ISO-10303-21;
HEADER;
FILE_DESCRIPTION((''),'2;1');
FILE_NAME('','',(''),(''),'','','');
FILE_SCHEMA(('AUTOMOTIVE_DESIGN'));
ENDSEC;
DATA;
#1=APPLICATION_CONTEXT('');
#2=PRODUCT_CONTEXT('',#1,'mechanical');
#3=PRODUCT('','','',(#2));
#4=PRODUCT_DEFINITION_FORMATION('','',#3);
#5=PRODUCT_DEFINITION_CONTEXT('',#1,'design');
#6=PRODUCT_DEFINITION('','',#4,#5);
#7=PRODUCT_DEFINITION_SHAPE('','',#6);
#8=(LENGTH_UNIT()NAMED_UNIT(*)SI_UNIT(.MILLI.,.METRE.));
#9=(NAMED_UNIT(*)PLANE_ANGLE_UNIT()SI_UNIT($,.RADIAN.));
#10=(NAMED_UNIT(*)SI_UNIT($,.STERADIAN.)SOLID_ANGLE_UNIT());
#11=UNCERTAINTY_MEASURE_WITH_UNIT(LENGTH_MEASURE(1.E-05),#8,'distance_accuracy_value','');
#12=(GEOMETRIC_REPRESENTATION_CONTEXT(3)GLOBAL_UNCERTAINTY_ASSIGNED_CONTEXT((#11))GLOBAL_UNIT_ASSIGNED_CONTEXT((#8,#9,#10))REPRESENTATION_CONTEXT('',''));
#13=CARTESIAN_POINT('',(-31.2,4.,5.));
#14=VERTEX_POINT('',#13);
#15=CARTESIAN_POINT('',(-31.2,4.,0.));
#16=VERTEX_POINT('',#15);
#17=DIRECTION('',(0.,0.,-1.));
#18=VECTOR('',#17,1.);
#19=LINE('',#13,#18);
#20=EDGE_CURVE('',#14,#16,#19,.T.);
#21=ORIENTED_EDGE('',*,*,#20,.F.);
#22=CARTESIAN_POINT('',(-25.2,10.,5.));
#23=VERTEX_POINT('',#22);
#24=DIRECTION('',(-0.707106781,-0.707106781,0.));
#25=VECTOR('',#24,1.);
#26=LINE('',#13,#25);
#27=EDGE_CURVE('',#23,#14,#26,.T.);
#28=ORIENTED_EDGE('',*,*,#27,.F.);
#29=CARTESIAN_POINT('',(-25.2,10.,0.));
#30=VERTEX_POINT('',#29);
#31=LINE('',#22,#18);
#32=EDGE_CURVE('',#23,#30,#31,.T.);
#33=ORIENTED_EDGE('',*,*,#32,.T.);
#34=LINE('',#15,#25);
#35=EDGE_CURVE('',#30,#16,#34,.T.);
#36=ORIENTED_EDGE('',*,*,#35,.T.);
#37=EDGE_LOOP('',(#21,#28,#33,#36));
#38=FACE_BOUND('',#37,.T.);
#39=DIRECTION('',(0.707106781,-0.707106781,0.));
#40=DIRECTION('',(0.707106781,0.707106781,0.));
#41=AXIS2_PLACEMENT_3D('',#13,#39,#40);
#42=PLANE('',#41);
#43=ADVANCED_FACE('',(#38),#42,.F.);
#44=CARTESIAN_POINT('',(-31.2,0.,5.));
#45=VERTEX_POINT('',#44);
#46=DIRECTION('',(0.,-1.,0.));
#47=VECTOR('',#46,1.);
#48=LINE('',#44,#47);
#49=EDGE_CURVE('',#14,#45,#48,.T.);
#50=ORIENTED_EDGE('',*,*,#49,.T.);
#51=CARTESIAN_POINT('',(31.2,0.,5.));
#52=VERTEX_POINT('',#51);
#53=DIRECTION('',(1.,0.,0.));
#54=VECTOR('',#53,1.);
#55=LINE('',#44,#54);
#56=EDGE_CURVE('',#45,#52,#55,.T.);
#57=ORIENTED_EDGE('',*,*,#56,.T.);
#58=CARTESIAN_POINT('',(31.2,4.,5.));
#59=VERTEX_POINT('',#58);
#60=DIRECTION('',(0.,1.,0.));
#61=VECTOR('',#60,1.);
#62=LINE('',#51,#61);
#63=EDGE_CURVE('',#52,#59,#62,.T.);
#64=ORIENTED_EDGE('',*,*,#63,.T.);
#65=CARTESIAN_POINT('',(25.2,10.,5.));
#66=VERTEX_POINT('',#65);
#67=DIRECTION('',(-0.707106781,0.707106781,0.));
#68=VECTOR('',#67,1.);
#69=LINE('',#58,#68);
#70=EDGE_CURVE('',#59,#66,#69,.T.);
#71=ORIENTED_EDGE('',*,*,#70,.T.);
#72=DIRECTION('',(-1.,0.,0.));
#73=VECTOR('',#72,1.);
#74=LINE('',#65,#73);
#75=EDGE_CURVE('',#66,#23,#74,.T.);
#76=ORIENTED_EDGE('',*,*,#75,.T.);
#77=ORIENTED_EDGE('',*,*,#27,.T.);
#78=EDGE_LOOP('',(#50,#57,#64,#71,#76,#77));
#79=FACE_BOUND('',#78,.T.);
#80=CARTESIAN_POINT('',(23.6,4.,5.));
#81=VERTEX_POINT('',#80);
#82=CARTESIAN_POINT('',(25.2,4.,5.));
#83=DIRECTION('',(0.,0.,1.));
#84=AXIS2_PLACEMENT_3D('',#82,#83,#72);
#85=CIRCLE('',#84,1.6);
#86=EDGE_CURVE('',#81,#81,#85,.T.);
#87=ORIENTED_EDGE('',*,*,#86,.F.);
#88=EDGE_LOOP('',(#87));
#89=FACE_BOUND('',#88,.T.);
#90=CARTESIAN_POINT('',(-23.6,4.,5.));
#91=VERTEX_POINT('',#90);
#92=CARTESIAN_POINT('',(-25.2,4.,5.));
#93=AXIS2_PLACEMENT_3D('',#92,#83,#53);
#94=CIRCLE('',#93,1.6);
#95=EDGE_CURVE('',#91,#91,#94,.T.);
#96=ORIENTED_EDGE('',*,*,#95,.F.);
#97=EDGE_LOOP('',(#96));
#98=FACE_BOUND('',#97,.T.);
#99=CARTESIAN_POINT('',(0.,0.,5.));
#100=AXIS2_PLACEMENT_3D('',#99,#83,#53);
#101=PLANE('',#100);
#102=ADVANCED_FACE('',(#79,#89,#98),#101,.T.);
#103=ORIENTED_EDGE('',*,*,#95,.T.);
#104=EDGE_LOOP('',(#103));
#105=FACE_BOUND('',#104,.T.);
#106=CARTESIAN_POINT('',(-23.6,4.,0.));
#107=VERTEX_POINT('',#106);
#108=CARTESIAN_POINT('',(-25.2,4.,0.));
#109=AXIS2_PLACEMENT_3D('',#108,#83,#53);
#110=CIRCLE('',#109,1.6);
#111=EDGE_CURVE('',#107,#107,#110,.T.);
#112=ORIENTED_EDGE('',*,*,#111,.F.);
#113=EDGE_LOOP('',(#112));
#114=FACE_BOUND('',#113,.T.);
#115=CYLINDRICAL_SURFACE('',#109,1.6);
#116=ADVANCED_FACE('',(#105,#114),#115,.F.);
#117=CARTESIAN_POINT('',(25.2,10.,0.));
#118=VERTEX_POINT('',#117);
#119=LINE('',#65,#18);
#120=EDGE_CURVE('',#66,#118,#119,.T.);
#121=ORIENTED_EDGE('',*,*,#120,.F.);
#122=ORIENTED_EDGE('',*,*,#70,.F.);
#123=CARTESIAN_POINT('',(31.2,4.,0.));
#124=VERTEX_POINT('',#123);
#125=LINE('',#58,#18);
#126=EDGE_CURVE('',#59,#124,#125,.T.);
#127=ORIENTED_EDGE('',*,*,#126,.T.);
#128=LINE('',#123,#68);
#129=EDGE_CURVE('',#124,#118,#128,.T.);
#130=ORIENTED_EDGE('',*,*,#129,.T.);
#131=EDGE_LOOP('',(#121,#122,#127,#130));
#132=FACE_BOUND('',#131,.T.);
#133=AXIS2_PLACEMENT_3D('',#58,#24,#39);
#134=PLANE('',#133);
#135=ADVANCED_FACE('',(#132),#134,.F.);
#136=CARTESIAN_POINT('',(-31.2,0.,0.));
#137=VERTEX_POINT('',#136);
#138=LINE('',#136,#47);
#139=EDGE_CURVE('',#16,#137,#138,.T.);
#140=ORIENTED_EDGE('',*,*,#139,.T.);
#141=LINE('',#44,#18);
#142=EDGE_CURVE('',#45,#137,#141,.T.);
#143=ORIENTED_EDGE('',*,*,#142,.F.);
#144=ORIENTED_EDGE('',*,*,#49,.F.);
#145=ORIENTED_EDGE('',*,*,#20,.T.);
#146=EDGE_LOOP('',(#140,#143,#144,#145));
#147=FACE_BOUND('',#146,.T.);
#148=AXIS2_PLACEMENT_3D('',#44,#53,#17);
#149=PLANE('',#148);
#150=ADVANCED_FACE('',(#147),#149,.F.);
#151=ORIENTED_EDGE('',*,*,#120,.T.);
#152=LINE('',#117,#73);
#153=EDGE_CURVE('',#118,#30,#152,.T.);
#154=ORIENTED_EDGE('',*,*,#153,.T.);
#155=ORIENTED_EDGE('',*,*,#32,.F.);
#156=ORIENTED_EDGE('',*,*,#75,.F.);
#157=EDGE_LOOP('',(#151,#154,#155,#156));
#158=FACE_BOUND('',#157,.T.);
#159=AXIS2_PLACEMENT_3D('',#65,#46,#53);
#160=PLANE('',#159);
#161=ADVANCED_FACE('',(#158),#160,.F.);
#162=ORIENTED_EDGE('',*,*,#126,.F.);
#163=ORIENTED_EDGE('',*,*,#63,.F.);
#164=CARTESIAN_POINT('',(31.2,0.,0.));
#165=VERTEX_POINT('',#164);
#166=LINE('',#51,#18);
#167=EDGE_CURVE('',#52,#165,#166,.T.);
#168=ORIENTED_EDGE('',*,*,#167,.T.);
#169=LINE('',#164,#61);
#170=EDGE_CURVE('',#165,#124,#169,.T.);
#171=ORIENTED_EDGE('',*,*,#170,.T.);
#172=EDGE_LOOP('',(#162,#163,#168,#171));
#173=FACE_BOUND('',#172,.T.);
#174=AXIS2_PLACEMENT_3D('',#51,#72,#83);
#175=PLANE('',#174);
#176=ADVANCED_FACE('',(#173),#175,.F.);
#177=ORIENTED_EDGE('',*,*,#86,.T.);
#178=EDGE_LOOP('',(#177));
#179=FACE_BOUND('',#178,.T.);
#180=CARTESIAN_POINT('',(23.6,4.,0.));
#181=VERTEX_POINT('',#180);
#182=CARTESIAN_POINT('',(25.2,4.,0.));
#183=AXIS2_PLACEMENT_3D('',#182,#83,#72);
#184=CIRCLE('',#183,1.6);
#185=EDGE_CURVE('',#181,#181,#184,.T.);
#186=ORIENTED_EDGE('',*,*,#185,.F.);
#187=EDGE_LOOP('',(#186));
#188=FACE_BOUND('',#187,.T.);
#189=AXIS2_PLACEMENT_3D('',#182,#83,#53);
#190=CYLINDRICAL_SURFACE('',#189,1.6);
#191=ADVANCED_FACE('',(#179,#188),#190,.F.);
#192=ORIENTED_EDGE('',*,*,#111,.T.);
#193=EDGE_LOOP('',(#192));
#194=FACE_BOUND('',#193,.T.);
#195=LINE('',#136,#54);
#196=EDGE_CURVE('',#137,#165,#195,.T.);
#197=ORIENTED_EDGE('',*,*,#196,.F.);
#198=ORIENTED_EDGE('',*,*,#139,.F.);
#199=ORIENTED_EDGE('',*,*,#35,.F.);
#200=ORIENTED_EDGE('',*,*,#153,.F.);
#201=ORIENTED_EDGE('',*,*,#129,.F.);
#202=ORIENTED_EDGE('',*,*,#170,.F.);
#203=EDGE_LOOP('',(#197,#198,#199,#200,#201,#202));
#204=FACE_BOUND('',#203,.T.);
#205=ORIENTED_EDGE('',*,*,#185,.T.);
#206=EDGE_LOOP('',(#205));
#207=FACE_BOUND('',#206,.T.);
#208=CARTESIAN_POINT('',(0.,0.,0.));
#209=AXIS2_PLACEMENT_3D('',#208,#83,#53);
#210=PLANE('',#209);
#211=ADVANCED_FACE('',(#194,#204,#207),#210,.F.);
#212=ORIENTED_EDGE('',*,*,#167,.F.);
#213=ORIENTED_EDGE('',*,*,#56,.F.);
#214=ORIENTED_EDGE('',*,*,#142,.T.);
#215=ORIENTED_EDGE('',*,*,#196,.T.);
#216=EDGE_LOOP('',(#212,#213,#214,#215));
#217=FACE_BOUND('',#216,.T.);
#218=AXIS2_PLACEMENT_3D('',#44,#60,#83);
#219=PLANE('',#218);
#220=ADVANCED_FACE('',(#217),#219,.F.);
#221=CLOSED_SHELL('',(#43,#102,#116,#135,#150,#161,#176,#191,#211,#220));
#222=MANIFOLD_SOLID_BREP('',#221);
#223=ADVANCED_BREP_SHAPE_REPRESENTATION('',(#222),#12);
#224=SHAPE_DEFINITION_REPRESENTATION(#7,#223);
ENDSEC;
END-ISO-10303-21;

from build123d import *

# Parameters (mm, degrees)
DODANIE_WYCI_GNI_CIE1_DEPTH = 5
SZKIC2_R                    = 1.6
WYTNIJ_WYCI_GNI_CIE1_DEPTH  = 34.142721675


with BuildPart() as part:
    # Szkic1 → Dodanie-wyciągnięcie1 (new body)
    with BuildSketch(Plane.XY):
        Polygon((-31.2, 0), (31.2, 0), (31.2, 4), (25.2, 10), (-25.2, 10), (-31.2, 4), align=None)
    extrude(amount=DODANIE_WYCI_GNI_CIE1_DEPTH)

    # Szkic2 → Wytnij-wyciągnięcie1 (cut, through all)
    with BuildSketch(Plane.XY.offset(5)):
        with Locations((-25.2, 4)):
            Circle(SZKIC2_R)
        with Locations(Location((25.2, 4, 0), (0, 0, 180))):
            Circle(SZKIC2_R)
    extrude(amount=-WYTNIJ_WYCI_GNI_CIE1_DEPTH, mode=Mode.SUBTRACT)


solid = part.part
